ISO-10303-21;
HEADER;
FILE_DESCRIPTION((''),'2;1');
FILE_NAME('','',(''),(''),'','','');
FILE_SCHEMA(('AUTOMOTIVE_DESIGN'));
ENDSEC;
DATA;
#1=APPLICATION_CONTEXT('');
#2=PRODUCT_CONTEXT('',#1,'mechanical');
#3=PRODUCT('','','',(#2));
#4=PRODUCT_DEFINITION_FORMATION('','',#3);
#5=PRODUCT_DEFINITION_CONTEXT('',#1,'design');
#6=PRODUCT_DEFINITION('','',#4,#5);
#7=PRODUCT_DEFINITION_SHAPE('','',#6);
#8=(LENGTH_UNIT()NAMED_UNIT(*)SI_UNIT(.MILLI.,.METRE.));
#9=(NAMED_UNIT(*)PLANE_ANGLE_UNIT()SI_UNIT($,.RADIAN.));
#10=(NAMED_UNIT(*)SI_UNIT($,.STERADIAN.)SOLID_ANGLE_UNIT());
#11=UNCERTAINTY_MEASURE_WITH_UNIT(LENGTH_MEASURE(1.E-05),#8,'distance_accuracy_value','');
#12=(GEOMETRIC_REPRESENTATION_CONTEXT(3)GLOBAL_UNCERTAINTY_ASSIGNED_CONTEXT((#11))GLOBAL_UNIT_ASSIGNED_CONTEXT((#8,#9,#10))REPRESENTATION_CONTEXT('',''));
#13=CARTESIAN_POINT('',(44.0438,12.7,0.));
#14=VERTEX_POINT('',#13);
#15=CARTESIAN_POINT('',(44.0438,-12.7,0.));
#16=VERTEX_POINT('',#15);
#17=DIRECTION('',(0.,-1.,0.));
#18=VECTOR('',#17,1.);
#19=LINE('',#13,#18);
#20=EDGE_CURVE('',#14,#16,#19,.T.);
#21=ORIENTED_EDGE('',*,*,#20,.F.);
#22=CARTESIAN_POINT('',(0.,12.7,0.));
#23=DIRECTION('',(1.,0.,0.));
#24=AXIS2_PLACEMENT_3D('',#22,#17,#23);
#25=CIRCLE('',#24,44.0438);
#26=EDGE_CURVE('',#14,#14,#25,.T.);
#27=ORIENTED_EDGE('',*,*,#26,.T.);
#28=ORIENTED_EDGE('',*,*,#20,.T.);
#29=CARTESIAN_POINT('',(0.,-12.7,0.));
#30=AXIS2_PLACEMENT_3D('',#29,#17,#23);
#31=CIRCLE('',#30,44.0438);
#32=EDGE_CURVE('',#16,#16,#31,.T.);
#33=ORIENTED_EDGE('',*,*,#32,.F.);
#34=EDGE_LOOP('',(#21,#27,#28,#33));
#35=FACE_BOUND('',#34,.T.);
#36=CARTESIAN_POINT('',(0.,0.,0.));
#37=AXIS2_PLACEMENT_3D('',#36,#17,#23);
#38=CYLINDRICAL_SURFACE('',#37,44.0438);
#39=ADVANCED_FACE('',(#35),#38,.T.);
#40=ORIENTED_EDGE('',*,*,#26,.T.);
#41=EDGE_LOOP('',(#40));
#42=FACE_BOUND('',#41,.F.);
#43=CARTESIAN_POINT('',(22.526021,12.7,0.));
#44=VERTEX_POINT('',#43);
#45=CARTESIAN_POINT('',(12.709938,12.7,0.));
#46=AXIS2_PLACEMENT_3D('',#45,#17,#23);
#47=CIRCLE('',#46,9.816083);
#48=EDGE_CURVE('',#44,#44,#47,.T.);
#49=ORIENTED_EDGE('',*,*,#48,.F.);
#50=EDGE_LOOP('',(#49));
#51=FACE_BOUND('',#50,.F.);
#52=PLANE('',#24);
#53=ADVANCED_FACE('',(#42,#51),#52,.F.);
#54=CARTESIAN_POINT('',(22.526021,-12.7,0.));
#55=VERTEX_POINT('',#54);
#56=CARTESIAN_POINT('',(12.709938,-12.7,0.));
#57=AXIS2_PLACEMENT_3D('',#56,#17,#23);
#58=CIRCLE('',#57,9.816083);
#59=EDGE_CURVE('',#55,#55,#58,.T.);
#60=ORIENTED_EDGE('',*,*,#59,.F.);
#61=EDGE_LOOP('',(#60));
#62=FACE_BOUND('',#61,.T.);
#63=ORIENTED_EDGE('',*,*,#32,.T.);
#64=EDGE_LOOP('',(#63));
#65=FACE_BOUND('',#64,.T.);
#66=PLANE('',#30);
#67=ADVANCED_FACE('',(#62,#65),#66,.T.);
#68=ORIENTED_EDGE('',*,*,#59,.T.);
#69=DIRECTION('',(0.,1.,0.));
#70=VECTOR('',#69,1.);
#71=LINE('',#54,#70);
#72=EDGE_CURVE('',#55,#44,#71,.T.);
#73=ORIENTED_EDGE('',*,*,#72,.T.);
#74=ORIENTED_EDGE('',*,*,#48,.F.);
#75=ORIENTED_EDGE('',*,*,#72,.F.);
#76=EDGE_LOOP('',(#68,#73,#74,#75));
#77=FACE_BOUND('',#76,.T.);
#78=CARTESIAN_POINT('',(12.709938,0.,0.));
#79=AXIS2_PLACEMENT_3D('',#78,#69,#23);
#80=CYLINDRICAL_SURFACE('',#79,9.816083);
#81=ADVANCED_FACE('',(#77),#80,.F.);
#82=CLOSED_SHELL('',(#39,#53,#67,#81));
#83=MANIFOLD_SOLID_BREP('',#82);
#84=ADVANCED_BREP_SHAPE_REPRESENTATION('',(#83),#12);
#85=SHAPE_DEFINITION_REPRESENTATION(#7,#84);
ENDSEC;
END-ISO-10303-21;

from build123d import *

# Parameters (mm, degrees)
F0_R     = 44.0438
F0_R_2   = 9.816083
F1_DEPTH = 12.7


with BuildPart() as f1:
    # F0 (on Front) → F1 (new body, symmetric)
    with BuildSketch(Plane.XZ):
        Circle(F0_R)
        with Locations((12.709938, 0)):
            Circle(F0_R_2, mode=Mode.SUBTRACT)
    extrude(amount=F1_DEPTH, both=True)


solid = f1.part
